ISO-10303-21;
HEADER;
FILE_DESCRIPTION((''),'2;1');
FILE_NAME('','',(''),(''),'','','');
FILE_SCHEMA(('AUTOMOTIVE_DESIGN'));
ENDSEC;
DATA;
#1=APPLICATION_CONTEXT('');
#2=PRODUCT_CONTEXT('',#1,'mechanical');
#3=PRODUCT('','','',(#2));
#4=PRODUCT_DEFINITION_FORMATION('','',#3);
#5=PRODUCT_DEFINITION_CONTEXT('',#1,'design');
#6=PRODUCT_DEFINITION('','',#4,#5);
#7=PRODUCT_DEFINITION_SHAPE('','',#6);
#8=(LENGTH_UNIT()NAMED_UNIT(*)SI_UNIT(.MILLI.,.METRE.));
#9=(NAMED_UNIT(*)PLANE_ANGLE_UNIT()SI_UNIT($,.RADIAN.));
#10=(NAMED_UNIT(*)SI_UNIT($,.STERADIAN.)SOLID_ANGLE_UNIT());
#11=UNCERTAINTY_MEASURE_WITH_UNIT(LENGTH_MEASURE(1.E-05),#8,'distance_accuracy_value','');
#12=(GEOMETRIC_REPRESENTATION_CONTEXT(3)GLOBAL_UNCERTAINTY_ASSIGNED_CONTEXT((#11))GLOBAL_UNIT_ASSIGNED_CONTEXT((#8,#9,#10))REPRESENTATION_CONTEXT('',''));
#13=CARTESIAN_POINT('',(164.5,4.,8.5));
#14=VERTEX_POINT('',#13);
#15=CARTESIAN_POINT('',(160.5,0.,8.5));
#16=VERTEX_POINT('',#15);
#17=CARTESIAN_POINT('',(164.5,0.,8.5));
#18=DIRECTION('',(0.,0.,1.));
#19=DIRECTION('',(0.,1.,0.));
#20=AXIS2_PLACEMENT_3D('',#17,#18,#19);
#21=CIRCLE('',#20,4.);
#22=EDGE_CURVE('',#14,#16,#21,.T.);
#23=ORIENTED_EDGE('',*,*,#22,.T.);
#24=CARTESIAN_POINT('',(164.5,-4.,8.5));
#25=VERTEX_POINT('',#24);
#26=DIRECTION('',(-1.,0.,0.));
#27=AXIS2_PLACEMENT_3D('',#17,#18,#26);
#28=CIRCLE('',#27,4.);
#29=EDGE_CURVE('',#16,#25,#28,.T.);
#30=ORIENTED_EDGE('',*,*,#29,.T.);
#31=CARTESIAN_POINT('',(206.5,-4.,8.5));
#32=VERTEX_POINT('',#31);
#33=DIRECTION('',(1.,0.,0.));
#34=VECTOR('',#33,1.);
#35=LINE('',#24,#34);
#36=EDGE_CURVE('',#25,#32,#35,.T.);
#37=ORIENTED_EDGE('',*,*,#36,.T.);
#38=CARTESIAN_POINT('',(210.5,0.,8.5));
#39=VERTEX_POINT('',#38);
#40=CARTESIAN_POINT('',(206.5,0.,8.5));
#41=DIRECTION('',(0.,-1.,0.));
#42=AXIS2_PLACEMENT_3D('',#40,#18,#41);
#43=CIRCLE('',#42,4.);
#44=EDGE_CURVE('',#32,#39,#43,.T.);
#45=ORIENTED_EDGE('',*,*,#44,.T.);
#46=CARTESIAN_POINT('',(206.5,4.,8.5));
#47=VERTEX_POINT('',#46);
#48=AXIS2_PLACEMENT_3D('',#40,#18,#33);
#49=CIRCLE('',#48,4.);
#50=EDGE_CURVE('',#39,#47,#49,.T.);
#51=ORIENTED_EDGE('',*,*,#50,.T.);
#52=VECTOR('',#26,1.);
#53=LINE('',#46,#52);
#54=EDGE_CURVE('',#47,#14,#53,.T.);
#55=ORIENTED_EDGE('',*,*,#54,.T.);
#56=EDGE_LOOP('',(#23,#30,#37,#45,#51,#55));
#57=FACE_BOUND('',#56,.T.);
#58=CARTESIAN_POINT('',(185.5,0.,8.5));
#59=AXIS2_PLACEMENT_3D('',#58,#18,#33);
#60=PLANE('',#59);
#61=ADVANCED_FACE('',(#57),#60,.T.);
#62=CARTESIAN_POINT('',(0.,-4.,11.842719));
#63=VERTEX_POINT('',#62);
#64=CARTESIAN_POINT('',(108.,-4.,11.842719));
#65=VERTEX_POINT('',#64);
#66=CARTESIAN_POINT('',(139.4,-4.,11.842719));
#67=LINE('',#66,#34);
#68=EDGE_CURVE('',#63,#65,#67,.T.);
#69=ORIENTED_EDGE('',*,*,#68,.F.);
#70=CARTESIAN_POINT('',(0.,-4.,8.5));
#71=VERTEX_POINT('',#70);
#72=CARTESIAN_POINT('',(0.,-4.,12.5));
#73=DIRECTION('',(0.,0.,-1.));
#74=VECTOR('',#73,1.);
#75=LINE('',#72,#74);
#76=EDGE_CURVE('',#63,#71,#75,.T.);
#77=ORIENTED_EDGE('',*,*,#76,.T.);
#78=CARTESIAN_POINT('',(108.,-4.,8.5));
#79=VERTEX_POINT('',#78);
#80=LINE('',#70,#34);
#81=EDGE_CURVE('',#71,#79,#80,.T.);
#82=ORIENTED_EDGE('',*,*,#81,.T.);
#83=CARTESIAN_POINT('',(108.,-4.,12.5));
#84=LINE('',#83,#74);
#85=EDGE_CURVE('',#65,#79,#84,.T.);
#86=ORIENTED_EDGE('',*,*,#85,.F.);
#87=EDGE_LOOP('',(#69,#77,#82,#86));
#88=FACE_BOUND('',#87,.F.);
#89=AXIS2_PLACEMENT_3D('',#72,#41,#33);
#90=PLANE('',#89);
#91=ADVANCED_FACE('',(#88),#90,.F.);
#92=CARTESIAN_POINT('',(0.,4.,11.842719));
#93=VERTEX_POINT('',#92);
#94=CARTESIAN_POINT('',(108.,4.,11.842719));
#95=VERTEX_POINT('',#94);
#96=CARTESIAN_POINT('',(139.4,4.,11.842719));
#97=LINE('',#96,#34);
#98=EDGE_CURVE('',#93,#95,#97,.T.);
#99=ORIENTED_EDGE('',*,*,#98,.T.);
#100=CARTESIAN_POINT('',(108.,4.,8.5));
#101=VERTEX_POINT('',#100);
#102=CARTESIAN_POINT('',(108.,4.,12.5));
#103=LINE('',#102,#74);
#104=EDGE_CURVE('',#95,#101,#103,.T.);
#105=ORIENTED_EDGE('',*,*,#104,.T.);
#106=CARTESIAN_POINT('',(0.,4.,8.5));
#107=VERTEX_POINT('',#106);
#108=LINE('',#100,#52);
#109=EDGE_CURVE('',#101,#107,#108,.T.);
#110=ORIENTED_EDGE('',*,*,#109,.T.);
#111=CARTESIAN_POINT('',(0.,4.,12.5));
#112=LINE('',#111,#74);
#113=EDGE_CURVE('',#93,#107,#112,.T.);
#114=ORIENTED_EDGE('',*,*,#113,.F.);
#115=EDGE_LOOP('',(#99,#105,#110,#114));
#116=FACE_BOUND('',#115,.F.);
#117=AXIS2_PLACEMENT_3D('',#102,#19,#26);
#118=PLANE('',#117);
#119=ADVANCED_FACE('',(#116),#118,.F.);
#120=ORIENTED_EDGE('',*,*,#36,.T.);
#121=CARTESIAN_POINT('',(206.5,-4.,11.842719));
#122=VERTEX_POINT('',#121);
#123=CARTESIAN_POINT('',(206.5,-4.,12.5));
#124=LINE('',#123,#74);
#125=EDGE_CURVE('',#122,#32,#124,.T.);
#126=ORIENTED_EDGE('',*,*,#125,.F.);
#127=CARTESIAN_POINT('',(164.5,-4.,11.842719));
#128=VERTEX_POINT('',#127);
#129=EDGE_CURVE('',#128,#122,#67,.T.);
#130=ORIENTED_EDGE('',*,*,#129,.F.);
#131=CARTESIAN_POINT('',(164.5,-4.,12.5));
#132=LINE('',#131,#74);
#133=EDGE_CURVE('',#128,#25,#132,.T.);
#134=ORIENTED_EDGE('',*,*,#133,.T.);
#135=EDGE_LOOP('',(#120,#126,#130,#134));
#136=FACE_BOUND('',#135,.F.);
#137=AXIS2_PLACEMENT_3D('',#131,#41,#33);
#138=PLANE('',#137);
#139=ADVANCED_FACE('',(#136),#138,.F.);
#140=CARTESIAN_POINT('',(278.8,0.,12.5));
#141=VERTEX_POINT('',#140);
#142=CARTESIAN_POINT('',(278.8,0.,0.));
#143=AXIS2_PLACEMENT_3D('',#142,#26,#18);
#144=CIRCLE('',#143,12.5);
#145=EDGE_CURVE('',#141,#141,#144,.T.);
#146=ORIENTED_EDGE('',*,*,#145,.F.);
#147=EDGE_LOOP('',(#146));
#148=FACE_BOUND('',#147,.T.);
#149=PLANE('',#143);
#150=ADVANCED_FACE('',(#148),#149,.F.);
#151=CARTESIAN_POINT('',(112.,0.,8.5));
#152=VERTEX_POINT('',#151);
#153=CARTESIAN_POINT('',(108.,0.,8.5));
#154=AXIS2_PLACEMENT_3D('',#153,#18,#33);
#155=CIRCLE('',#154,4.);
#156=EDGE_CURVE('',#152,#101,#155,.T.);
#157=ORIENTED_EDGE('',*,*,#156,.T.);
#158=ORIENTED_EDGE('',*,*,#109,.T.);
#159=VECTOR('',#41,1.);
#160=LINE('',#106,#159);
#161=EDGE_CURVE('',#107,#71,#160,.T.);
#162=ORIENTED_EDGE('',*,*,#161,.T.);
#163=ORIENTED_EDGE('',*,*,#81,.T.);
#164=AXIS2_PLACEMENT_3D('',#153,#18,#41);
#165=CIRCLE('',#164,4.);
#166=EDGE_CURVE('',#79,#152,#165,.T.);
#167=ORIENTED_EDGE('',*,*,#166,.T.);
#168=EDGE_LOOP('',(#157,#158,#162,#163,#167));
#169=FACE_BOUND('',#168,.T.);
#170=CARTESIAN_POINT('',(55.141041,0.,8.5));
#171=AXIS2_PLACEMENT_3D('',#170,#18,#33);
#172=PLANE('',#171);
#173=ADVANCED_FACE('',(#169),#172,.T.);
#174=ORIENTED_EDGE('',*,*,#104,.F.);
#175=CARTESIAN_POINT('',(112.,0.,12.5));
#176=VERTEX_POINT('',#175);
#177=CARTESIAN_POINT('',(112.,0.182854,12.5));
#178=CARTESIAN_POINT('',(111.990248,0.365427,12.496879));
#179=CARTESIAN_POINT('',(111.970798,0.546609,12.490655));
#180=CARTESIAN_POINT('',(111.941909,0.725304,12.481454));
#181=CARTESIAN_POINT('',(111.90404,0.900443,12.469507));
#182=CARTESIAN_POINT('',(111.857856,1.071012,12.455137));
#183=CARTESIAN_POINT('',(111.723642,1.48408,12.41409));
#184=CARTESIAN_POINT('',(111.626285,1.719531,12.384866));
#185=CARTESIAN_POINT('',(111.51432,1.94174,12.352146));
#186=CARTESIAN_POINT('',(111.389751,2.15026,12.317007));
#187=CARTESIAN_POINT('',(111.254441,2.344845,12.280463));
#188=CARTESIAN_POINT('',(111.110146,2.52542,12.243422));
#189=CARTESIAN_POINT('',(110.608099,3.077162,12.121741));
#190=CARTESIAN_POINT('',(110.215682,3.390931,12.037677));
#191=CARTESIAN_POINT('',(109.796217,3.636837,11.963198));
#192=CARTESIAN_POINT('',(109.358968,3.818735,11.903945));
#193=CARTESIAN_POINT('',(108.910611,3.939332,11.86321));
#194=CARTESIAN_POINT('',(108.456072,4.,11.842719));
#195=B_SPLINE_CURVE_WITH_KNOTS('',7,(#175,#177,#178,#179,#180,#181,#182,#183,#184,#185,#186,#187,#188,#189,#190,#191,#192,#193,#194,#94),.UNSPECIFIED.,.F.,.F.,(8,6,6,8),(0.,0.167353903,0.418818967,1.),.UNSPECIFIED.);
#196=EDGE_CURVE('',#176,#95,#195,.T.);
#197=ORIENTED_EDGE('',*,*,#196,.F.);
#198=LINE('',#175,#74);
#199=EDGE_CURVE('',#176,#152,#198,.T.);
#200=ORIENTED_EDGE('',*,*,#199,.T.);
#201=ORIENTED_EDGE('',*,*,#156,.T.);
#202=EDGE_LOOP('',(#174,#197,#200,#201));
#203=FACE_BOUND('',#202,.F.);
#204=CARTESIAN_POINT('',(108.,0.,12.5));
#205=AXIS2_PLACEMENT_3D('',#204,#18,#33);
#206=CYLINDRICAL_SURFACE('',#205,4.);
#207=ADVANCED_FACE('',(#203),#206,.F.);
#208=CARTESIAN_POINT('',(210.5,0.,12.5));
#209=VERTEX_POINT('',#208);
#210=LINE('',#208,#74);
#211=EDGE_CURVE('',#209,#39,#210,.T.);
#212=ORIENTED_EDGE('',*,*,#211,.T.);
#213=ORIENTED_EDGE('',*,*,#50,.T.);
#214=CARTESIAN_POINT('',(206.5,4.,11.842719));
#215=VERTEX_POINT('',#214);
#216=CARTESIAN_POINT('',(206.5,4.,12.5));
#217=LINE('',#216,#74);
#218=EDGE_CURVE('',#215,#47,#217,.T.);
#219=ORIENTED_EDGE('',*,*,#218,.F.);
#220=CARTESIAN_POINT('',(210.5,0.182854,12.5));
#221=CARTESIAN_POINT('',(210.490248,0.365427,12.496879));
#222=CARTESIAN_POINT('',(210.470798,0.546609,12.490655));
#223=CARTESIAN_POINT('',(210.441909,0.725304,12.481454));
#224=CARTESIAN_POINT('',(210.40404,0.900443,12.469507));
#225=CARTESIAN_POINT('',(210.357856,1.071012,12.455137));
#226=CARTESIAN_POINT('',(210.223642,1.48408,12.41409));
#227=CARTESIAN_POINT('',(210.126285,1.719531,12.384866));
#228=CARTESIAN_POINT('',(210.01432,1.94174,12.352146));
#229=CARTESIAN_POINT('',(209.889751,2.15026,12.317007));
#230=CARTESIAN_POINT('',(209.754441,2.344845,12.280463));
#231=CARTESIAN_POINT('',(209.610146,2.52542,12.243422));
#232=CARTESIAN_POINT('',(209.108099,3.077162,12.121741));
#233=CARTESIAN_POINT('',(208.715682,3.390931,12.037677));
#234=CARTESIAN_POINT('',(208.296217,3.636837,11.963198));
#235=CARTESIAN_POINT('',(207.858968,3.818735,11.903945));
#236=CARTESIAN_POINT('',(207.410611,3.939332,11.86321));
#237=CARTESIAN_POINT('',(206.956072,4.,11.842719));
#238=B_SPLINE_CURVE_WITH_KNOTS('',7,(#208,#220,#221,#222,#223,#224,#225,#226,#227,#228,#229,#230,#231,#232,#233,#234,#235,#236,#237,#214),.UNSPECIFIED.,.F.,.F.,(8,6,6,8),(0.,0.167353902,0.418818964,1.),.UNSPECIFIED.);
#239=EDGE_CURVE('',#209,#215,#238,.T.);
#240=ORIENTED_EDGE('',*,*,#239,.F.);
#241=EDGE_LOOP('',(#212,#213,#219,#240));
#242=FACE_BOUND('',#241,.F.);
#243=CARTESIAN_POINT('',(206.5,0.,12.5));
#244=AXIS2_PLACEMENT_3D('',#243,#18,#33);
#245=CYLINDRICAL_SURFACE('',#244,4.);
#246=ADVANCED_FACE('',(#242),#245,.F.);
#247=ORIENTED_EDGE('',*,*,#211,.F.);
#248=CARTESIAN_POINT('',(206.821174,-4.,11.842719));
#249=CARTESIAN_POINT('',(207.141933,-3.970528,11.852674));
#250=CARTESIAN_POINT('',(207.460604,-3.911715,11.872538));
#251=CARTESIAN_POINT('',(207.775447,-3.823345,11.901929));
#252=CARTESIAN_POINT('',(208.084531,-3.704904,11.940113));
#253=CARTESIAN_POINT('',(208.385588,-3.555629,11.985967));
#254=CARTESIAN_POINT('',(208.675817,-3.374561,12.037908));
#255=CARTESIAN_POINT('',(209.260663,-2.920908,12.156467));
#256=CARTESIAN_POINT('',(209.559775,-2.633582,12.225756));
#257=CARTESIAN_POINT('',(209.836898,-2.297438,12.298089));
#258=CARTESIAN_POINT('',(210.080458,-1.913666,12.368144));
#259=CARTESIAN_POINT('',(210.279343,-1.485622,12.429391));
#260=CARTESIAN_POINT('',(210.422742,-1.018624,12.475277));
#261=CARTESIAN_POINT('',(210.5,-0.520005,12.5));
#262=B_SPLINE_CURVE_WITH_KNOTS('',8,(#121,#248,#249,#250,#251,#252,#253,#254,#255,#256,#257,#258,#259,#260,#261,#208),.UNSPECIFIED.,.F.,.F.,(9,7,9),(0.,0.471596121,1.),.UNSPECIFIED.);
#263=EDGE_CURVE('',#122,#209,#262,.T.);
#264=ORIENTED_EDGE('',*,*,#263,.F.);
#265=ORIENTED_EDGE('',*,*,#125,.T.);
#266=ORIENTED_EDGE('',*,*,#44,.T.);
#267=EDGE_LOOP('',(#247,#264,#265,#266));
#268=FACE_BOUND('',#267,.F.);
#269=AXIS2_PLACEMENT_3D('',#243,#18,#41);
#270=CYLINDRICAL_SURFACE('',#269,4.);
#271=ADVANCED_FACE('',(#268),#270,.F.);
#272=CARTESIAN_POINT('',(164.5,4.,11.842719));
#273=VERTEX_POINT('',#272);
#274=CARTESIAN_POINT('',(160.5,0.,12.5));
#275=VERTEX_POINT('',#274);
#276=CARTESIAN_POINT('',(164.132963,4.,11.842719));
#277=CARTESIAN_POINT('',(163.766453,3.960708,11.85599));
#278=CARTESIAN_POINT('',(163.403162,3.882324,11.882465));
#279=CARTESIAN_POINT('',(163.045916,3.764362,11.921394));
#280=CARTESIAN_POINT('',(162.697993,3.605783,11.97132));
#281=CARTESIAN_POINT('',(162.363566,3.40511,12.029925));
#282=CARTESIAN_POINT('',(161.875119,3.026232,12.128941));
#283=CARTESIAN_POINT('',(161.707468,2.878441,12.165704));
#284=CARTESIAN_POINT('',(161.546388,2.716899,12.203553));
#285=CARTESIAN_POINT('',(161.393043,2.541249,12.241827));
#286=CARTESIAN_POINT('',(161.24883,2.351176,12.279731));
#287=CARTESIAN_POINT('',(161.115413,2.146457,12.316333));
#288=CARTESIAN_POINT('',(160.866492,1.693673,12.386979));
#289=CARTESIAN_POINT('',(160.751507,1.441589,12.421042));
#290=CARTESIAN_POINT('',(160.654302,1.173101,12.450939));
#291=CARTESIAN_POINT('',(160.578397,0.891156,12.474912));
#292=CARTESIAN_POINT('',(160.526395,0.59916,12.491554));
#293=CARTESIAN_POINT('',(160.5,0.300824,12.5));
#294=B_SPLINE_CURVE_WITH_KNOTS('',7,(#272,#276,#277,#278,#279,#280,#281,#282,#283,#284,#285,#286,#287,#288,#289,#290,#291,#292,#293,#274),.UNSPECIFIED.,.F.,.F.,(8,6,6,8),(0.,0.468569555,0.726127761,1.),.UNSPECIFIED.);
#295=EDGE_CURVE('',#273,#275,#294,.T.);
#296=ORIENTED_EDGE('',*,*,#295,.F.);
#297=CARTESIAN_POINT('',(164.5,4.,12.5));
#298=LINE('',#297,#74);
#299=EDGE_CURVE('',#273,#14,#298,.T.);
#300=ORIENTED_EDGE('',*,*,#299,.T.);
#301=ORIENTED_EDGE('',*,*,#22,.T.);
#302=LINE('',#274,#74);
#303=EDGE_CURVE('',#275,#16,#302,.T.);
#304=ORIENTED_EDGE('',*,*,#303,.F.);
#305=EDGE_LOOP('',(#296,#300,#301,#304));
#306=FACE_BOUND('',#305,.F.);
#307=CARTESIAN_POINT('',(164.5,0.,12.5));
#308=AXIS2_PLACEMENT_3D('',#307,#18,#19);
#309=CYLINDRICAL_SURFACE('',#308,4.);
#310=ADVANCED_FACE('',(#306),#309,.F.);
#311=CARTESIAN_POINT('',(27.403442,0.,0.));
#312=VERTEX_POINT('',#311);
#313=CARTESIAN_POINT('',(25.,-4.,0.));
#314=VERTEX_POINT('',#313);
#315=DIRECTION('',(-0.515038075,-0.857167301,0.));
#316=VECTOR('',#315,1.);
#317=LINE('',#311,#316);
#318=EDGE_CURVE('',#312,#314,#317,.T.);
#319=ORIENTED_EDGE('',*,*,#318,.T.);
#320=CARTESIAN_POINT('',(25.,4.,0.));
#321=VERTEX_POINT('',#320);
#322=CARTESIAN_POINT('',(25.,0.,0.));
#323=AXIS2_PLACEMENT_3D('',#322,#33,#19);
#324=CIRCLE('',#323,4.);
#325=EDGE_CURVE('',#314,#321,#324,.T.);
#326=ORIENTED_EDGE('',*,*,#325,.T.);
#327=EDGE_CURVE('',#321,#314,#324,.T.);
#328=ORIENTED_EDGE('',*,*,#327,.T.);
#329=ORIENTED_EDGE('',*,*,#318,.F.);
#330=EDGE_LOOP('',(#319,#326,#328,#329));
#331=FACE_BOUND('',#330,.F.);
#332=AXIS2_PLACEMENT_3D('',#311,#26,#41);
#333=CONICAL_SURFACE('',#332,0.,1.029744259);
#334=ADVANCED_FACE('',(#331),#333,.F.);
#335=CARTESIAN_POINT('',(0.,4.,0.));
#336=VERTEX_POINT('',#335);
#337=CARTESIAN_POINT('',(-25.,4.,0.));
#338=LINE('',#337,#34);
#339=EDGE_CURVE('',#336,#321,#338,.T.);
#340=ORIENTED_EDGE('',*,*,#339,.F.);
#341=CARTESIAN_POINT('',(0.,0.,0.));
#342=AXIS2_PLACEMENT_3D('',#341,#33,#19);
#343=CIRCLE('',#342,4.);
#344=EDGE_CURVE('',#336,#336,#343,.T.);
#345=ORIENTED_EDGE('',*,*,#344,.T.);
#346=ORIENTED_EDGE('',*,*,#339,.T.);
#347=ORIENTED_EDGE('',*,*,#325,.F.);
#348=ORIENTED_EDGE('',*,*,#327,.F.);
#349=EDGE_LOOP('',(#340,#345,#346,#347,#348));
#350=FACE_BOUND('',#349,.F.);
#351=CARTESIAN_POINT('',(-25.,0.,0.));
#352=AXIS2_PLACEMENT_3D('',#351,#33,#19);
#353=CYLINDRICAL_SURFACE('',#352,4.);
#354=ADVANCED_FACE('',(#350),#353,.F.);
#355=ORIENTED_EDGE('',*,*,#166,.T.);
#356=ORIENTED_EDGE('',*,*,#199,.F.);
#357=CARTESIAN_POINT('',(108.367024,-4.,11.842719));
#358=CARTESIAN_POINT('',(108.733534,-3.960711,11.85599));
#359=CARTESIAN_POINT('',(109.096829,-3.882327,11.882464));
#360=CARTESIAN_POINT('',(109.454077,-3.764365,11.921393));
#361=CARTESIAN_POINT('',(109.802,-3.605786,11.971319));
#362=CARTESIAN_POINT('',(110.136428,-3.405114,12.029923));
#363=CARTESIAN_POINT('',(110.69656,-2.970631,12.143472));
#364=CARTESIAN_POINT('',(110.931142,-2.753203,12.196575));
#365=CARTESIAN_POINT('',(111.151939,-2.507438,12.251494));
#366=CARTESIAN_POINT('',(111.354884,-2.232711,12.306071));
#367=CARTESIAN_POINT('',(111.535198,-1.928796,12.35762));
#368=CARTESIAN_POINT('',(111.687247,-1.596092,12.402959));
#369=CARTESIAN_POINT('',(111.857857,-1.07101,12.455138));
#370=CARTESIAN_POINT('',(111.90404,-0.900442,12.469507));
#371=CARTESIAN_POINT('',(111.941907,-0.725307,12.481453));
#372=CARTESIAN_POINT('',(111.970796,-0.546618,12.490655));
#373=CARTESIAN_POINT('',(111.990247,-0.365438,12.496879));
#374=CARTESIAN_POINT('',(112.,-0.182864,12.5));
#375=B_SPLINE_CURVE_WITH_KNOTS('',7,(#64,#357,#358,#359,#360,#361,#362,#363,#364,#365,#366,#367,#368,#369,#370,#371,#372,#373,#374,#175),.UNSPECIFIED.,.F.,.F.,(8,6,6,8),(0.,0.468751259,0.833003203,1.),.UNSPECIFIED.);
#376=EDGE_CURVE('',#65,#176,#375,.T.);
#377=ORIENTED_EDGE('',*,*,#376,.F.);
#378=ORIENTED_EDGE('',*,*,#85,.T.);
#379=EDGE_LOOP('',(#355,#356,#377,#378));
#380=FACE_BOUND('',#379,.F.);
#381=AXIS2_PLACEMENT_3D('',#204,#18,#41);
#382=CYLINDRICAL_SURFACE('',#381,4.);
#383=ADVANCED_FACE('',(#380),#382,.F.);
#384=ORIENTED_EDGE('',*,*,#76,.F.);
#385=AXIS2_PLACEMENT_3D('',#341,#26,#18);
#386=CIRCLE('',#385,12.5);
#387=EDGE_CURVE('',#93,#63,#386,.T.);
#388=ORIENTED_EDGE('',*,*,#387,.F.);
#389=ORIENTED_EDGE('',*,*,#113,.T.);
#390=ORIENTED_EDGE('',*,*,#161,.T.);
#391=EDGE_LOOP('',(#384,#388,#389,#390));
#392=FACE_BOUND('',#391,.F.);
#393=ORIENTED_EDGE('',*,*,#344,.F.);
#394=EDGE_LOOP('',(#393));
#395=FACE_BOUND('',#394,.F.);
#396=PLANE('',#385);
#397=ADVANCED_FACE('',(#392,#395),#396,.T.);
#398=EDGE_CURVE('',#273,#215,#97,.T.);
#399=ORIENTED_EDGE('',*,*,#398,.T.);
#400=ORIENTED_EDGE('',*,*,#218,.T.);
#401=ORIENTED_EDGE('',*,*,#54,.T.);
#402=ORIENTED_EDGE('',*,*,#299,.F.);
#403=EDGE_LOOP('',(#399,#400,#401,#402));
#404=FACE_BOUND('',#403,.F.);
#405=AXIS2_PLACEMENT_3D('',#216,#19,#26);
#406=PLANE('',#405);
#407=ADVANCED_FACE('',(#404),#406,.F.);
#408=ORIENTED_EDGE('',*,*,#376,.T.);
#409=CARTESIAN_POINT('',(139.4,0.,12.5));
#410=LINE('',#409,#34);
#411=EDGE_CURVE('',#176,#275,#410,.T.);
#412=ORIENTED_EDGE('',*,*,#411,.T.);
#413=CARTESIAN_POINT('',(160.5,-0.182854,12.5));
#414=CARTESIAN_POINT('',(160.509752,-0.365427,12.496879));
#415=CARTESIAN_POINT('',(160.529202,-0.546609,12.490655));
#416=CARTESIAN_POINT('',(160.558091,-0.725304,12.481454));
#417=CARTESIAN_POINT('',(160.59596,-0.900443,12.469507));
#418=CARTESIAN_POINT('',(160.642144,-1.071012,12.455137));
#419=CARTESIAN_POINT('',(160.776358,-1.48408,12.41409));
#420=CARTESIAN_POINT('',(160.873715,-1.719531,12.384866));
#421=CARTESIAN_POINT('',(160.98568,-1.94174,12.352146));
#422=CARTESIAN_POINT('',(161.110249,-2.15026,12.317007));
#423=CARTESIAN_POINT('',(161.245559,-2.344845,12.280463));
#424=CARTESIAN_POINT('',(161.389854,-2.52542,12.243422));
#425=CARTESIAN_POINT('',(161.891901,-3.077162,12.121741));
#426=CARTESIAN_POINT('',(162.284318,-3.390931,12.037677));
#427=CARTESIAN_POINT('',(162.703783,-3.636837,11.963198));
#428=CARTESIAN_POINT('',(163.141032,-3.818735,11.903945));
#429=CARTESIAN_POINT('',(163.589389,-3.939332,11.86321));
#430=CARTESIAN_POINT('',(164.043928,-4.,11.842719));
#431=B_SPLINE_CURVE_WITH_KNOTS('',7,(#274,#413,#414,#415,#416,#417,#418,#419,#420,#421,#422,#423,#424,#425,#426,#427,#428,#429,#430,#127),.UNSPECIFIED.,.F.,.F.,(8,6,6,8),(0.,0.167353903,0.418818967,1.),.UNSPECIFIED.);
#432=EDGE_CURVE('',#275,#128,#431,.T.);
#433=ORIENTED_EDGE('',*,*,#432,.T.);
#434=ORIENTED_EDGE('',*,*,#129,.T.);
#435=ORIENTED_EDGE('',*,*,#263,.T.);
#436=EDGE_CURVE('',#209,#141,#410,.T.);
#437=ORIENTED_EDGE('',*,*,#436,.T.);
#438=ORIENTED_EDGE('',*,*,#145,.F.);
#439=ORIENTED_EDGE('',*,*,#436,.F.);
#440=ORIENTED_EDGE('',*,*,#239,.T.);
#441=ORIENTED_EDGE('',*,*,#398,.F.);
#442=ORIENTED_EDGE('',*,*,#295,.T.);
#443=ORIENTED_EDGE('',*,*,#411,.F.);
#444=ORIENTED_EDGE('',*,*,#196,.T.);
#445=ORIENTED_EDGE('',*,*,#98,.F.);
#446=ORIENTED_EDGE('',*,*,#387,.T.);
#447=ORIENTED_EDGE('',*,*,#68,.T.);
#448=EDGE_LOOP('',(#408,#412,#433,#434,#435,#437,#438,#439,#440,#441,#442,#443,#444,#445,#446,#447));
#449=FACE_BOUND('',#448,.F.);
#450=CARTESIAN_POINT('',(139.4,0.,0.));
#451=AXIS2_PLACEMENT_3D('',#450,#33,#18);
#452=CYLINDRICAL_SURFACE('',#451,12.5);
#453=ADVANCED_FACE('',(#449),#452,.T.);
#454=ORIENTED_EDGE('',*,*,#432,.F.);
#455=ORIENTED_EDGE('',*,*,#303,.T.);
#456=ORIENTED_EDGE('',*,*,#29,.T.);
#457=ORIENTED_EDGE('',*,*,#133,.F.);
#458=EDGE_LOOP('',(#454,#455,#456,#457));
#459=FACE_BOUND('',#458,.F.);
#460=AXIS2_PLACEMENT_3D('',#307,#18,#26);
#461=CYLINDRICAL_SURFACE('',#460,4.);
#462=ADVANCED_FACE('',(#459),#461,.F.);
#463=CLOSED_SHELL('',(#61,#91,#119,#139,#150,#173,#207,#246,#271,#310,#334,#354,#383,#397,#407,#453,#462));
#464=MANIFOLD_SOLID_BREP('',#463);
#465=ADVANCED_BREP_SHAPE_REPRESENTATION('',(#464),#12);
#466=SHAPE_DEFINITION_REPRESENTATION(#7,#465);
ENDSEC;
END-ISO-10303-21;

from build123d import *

# Parameters (mm, degrees)
F0_W     = 278.8
F0_H     = 12.5
F4_DEPTH = 4
F6_D     = 8
F6_DEPTH = 25
F6_TIP   = 2.4034424761
F8_DEPTH = 4


with BuildPart() as f1:
    # F0 (on Front) → F1 (revolve)
    with BuildSketch(Plane.XZ):
        with Locations((139.4, 6.25)):
            Rectangle(F0_W, F0_H)
    revolve(axis=Axis((139.4, 0, 0), (-1, 0, 0)))

    # F3 (on offset) → F4 (cut)
    with BuildSketch(Plane.XY.offset(12.5)):
        with BuildLine():
            Line((0, 4), (0, 0))
            Line((0, 0), (0, -4))
            Line((0, -4), (108, -4))
            ThreePointArc((108, -4), (110.8284271247, -2.8284271247), (112, 0))
            ThreePointArc((112, 0), (110.8284271247, 2.8284271247), (108, 4))
            Line((108, 4), (0, 4))
        make_face()
    extrude(amount=-F4_DEPTH, mode=Mode.SUBTRACT)

    # F6
    with Locations(Plane(origin=(0, 0, 0), x_dir=(0, -1, 0), z_dir=(-1, 0, 0))):
        with Locations((0, 0)):
            Hole(F6_D / 2, depth=F6_DEPTH)
            with Locations((0, 0, -(F6_DEPTH + F6_TIP / 2))):  # 118° drill point
                Cone(0, F6_D / 2, F6_TIP, mode=Mode.SUBTRACT)

    # F7 (on offset) → F8 (cut)
    with BuildSketch(Plane.XY.offset(12.5)):
        with BuildLine():
            ThreePointArc((210.5, 0), (209.3284271247, 2.8284271247), (206.5, 4))
            Line((206.5, 4), (164.5, 4))
            ThreePointArc((164.5, 4), (161.6715728753, 2.8284271247), (160.5, 0))
            ThreePointArc((160.5, 0), (161.6715728753, -2.8284271247), (164.5, -4))
            Line((164.5, -4), (206.5, -4))
            ThreePointArc((206.5, -4), (209.3284271247, -2.8284271247), (210.5, 0))
        make_face()
    extrude(amount=-F8_DEPTH, mode=Mode.SUBTRACT)


solid = f1.part
